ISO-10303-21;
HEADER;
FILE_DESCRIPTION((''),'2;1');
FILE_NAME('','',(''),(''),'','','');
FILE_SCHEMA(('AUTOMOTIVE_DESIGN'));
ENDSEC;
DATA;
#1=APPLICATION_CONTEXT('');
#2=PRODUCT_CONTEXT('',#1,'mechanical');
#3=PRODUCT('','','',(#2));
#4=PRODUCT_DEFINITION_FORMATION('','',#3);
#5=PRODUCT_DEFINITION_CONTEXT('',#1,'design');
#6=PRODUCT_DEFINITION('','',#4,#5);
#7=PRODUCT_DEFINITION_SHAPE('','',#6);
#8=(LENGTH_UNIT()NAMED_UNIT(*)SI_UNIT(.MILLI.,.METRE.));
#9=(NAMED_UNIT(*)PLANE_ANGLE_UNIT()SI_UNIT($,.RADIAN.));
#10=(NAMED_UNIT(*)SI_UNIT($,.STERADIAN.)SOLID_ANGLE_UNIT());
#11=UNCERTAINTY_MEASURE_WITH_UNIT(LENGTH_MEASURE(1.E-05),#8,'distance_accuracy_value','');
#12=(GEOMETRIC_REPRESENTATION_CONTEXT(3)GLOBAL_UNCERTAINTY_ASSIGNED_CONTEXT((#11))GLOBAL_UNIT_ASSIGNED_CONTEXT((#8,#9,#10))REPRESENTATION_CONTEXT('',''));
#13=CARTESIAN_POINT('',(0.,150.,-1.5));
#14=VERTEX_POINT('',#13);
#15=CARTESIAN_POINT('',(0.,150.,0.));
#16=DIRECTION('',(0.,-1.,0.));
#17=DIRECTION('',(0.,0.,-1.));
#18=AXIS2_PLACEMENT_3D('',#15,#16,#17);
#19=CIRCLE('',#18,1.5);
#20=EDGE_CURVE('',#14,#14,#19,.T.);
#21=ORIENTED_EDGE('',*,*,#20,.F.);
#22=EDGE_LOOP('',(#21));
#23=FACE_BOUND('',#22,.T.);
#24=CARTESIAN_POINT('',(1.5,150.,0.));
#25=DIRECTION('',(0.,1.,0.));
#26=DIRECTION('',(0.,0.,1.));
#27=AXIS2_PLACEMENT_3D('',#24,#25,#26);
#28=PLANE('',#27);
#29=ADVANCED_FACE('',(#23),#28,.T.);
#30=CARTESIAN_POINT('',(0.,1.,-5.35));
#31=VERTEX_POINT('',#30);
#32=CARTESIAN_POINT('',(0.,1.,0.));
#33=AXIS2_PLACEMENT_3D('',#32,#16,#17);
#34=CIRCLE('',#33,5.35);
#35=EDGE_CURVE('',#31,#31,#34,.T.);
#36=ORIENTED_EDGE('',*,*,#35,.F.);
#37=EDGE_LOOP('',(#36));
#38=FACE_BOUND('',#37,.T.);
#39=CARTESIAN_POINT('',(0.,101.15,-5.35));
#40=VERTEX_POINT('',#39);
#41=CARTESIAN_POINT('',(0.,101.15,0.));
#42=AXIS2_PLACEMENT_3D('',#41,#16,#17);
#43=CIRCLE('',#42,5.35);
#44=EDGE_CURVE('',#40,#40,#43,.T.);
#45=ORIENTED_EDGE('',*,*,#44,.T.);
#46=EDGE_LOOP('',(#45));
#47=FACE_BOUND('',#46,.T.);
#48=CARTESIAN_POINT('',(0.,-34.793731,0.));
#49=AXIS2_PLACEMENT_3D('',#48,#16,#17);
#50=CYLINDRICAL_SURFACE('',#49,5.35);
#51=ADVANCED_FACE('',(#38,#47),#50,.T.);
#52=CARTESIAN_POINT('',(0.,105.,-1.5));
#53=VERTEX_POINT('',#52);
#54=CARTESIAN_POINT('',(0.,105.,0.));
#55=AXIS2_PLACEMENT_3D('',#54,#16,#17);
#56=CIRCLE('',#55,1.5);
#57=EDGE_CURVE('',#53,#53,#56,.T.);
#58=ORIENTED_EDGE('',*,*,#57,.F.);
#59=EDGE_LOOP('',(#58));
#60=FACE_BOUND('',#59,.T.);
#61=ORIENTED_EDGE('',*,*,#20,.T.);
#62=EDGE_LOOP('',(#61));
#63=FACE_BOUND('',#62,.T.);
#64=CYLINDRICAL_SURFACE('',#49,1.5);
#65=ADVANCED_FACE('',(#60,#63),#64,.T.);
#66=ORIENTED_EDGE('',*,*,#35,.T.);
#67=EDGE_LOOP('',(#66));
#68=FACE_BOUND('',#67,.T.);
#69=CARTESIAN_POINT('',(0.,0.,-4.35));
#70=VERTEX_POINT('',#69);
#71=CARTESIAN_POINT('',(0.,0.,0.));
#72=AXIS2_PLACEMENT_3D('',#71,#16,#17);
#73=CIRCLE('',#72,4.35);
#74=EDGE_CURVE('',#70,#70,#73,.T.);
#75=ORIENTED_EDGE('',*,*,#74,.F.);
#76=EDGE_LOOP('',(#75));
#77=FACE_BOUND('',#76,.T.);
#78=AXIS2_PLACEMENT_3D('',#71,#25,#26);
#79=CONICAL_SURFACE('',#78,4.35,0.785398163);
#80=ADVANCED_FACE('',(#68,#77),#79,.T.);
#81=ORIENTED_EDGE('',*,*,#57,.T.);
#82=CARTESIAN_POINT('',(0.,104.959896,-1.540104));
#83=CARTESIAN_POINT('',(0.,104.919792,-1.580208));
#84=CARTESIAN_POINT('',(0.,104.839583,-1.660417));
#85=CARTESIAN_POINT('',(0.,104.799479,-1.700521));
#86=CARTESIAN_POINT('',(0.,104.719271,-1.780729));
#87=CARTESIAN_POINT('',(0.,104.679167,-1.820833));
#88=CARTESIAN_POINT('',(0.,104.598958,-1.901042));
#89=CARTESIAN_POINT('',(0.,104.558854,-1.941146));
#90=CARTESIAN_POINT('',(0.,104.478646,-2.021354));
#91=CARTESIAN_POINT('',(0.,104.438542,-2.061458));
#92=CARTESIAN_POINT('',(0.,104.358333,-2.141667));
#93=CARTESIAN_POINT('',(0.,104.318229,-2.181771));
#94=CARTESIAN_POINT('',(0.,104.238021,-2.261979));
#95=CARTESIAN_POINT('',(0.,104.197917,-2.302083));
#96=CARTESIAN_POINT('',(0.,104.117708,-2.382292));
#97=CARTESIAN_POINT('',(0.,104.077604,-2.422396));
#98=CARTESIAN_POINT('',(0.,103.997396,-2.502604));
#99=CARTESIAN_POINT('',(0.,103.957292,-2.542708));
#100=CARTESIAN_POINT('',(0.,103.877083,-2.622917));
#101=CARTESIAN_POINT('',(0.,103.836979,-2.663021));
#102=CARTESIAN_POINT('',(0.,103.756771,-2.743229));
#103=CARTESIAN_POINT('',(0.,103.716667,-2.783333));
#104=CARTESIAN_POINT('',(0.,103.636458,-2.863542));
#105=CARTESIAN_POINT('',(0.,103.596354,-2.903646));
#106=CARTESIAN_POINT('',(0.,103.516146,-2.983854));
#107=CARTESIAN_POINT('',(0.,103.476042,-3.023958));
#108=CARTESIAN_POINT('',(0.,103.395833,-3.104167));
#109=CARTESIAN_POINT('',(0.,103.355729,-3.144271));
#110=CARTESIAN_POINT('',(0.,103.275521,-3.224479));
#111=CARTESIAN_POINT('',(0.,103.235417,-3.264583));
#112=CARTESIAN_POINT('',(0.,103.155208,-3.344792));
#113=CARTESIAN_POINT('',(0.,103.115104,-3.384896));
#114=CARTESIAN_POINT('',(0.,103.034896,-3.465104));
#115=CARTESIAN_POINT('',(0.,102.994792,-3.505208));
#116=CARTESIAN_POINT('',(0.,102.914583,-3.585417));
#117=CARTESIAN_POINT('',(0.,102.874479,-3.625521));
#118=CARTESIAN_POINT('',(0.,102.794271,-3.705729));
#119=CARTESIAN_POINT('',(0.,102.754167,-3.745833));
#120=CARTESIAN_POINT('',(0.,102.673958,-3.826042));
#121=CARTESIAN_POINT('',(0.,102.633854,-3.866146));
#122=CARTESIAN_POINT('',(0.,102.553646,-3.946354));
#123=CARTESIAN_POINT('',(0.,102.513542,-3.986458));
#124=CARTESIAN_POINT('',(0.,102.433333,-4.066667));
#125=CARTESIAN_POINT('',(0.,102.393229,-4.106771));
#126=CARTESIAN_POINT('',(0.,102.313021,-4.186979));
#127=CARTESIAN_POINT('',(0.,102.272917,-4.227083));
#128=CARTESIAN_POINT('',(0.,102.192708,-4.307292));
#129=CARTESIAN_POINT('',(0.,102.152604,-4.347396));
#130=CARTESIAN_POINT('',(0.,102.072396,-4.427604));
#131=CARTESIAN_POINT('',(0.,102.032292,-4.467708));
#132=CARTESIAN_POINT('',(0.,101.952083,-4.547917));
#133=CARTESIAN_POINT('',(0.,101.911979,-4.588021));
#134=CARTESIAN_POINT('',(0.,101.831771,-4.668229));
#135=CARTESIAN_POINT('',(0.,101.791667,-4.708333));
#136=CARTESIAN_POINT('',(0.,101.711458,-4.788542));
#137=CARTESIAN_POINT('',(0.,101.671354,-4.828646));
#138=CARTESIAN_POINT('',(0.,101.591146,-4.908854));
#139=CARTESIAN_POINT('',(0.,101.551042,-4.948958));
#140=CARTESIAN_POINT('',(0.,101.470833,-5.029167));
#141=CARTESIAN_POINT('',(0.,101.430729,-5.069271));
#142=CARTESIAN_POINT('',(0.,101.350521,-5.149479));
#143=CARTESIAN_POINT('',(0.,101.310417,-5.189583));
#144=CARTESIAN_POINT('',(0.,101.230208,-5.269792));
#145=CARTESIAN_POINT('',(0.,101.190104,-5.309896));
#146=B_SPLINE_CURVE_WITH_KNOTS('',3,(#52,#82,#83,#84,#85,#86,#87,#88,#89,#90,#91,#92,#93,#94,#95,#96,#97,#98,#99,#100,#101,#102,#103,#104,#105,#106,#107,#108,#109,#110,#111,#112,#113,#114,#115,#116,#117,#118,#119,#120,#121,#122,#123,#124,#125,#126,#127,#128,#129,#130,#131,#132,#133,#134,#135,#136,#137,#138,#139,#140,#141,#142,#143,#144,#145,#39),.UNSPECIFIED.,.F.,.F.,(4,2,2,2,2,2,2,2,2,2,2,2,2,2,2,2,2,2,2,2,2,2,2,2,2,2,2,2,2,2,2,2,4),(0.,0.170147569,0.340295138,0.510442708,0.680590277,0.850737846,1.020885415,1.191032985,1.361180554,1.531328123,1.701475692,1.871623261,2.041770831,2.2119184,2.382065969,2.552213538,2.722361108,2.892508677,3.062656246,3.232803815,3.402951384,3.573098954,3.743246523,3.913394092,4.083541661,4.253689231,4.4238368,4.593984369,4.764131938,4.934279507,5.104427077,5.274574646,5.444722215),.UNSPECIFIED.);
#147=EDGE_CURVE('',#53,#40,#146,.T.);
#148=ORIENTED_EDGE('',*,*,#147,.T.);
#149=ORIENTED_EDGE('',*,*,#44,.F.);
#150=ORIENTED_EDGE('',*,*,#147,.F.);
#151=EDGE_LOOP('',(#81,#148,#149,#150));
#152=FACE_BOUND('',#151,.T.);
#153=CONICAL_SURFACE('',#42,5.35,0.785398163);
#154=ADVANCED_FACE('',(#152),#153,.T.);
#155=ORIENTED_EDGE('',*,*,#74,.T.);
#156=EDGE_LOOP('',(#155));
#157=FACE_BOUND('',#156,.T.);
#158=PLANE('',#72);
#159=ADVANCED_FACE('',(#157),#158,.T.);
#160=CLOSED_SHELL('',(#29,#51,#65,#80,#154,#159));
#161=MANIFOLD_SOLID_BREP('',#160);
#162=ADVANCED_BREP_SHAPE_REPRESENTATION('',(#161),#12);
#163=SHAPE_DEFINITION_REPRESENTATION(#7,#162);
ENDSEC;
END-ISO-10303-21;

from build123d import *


with BuildPart() as part:
    # Skizze2 → Rotation1 (revolve)
    with BuildSketch(Plane.XY, mode=Mode.PRIVATE) as rotation1_sk:
        Polygon((0, 0), (4.35, 0), (5.35, 1), (5.35, 101.15), (1.5, 105), (1.5, 150), (0, 150), align=None)
    revolve(rotation1_sk.sketch.rotate(Axis((0, -34.793730628, 0), (0, 1, 0)), 90), axis=Axis((0, -34.793730628, 0), (0, 1, 0)))


solid = part.part
